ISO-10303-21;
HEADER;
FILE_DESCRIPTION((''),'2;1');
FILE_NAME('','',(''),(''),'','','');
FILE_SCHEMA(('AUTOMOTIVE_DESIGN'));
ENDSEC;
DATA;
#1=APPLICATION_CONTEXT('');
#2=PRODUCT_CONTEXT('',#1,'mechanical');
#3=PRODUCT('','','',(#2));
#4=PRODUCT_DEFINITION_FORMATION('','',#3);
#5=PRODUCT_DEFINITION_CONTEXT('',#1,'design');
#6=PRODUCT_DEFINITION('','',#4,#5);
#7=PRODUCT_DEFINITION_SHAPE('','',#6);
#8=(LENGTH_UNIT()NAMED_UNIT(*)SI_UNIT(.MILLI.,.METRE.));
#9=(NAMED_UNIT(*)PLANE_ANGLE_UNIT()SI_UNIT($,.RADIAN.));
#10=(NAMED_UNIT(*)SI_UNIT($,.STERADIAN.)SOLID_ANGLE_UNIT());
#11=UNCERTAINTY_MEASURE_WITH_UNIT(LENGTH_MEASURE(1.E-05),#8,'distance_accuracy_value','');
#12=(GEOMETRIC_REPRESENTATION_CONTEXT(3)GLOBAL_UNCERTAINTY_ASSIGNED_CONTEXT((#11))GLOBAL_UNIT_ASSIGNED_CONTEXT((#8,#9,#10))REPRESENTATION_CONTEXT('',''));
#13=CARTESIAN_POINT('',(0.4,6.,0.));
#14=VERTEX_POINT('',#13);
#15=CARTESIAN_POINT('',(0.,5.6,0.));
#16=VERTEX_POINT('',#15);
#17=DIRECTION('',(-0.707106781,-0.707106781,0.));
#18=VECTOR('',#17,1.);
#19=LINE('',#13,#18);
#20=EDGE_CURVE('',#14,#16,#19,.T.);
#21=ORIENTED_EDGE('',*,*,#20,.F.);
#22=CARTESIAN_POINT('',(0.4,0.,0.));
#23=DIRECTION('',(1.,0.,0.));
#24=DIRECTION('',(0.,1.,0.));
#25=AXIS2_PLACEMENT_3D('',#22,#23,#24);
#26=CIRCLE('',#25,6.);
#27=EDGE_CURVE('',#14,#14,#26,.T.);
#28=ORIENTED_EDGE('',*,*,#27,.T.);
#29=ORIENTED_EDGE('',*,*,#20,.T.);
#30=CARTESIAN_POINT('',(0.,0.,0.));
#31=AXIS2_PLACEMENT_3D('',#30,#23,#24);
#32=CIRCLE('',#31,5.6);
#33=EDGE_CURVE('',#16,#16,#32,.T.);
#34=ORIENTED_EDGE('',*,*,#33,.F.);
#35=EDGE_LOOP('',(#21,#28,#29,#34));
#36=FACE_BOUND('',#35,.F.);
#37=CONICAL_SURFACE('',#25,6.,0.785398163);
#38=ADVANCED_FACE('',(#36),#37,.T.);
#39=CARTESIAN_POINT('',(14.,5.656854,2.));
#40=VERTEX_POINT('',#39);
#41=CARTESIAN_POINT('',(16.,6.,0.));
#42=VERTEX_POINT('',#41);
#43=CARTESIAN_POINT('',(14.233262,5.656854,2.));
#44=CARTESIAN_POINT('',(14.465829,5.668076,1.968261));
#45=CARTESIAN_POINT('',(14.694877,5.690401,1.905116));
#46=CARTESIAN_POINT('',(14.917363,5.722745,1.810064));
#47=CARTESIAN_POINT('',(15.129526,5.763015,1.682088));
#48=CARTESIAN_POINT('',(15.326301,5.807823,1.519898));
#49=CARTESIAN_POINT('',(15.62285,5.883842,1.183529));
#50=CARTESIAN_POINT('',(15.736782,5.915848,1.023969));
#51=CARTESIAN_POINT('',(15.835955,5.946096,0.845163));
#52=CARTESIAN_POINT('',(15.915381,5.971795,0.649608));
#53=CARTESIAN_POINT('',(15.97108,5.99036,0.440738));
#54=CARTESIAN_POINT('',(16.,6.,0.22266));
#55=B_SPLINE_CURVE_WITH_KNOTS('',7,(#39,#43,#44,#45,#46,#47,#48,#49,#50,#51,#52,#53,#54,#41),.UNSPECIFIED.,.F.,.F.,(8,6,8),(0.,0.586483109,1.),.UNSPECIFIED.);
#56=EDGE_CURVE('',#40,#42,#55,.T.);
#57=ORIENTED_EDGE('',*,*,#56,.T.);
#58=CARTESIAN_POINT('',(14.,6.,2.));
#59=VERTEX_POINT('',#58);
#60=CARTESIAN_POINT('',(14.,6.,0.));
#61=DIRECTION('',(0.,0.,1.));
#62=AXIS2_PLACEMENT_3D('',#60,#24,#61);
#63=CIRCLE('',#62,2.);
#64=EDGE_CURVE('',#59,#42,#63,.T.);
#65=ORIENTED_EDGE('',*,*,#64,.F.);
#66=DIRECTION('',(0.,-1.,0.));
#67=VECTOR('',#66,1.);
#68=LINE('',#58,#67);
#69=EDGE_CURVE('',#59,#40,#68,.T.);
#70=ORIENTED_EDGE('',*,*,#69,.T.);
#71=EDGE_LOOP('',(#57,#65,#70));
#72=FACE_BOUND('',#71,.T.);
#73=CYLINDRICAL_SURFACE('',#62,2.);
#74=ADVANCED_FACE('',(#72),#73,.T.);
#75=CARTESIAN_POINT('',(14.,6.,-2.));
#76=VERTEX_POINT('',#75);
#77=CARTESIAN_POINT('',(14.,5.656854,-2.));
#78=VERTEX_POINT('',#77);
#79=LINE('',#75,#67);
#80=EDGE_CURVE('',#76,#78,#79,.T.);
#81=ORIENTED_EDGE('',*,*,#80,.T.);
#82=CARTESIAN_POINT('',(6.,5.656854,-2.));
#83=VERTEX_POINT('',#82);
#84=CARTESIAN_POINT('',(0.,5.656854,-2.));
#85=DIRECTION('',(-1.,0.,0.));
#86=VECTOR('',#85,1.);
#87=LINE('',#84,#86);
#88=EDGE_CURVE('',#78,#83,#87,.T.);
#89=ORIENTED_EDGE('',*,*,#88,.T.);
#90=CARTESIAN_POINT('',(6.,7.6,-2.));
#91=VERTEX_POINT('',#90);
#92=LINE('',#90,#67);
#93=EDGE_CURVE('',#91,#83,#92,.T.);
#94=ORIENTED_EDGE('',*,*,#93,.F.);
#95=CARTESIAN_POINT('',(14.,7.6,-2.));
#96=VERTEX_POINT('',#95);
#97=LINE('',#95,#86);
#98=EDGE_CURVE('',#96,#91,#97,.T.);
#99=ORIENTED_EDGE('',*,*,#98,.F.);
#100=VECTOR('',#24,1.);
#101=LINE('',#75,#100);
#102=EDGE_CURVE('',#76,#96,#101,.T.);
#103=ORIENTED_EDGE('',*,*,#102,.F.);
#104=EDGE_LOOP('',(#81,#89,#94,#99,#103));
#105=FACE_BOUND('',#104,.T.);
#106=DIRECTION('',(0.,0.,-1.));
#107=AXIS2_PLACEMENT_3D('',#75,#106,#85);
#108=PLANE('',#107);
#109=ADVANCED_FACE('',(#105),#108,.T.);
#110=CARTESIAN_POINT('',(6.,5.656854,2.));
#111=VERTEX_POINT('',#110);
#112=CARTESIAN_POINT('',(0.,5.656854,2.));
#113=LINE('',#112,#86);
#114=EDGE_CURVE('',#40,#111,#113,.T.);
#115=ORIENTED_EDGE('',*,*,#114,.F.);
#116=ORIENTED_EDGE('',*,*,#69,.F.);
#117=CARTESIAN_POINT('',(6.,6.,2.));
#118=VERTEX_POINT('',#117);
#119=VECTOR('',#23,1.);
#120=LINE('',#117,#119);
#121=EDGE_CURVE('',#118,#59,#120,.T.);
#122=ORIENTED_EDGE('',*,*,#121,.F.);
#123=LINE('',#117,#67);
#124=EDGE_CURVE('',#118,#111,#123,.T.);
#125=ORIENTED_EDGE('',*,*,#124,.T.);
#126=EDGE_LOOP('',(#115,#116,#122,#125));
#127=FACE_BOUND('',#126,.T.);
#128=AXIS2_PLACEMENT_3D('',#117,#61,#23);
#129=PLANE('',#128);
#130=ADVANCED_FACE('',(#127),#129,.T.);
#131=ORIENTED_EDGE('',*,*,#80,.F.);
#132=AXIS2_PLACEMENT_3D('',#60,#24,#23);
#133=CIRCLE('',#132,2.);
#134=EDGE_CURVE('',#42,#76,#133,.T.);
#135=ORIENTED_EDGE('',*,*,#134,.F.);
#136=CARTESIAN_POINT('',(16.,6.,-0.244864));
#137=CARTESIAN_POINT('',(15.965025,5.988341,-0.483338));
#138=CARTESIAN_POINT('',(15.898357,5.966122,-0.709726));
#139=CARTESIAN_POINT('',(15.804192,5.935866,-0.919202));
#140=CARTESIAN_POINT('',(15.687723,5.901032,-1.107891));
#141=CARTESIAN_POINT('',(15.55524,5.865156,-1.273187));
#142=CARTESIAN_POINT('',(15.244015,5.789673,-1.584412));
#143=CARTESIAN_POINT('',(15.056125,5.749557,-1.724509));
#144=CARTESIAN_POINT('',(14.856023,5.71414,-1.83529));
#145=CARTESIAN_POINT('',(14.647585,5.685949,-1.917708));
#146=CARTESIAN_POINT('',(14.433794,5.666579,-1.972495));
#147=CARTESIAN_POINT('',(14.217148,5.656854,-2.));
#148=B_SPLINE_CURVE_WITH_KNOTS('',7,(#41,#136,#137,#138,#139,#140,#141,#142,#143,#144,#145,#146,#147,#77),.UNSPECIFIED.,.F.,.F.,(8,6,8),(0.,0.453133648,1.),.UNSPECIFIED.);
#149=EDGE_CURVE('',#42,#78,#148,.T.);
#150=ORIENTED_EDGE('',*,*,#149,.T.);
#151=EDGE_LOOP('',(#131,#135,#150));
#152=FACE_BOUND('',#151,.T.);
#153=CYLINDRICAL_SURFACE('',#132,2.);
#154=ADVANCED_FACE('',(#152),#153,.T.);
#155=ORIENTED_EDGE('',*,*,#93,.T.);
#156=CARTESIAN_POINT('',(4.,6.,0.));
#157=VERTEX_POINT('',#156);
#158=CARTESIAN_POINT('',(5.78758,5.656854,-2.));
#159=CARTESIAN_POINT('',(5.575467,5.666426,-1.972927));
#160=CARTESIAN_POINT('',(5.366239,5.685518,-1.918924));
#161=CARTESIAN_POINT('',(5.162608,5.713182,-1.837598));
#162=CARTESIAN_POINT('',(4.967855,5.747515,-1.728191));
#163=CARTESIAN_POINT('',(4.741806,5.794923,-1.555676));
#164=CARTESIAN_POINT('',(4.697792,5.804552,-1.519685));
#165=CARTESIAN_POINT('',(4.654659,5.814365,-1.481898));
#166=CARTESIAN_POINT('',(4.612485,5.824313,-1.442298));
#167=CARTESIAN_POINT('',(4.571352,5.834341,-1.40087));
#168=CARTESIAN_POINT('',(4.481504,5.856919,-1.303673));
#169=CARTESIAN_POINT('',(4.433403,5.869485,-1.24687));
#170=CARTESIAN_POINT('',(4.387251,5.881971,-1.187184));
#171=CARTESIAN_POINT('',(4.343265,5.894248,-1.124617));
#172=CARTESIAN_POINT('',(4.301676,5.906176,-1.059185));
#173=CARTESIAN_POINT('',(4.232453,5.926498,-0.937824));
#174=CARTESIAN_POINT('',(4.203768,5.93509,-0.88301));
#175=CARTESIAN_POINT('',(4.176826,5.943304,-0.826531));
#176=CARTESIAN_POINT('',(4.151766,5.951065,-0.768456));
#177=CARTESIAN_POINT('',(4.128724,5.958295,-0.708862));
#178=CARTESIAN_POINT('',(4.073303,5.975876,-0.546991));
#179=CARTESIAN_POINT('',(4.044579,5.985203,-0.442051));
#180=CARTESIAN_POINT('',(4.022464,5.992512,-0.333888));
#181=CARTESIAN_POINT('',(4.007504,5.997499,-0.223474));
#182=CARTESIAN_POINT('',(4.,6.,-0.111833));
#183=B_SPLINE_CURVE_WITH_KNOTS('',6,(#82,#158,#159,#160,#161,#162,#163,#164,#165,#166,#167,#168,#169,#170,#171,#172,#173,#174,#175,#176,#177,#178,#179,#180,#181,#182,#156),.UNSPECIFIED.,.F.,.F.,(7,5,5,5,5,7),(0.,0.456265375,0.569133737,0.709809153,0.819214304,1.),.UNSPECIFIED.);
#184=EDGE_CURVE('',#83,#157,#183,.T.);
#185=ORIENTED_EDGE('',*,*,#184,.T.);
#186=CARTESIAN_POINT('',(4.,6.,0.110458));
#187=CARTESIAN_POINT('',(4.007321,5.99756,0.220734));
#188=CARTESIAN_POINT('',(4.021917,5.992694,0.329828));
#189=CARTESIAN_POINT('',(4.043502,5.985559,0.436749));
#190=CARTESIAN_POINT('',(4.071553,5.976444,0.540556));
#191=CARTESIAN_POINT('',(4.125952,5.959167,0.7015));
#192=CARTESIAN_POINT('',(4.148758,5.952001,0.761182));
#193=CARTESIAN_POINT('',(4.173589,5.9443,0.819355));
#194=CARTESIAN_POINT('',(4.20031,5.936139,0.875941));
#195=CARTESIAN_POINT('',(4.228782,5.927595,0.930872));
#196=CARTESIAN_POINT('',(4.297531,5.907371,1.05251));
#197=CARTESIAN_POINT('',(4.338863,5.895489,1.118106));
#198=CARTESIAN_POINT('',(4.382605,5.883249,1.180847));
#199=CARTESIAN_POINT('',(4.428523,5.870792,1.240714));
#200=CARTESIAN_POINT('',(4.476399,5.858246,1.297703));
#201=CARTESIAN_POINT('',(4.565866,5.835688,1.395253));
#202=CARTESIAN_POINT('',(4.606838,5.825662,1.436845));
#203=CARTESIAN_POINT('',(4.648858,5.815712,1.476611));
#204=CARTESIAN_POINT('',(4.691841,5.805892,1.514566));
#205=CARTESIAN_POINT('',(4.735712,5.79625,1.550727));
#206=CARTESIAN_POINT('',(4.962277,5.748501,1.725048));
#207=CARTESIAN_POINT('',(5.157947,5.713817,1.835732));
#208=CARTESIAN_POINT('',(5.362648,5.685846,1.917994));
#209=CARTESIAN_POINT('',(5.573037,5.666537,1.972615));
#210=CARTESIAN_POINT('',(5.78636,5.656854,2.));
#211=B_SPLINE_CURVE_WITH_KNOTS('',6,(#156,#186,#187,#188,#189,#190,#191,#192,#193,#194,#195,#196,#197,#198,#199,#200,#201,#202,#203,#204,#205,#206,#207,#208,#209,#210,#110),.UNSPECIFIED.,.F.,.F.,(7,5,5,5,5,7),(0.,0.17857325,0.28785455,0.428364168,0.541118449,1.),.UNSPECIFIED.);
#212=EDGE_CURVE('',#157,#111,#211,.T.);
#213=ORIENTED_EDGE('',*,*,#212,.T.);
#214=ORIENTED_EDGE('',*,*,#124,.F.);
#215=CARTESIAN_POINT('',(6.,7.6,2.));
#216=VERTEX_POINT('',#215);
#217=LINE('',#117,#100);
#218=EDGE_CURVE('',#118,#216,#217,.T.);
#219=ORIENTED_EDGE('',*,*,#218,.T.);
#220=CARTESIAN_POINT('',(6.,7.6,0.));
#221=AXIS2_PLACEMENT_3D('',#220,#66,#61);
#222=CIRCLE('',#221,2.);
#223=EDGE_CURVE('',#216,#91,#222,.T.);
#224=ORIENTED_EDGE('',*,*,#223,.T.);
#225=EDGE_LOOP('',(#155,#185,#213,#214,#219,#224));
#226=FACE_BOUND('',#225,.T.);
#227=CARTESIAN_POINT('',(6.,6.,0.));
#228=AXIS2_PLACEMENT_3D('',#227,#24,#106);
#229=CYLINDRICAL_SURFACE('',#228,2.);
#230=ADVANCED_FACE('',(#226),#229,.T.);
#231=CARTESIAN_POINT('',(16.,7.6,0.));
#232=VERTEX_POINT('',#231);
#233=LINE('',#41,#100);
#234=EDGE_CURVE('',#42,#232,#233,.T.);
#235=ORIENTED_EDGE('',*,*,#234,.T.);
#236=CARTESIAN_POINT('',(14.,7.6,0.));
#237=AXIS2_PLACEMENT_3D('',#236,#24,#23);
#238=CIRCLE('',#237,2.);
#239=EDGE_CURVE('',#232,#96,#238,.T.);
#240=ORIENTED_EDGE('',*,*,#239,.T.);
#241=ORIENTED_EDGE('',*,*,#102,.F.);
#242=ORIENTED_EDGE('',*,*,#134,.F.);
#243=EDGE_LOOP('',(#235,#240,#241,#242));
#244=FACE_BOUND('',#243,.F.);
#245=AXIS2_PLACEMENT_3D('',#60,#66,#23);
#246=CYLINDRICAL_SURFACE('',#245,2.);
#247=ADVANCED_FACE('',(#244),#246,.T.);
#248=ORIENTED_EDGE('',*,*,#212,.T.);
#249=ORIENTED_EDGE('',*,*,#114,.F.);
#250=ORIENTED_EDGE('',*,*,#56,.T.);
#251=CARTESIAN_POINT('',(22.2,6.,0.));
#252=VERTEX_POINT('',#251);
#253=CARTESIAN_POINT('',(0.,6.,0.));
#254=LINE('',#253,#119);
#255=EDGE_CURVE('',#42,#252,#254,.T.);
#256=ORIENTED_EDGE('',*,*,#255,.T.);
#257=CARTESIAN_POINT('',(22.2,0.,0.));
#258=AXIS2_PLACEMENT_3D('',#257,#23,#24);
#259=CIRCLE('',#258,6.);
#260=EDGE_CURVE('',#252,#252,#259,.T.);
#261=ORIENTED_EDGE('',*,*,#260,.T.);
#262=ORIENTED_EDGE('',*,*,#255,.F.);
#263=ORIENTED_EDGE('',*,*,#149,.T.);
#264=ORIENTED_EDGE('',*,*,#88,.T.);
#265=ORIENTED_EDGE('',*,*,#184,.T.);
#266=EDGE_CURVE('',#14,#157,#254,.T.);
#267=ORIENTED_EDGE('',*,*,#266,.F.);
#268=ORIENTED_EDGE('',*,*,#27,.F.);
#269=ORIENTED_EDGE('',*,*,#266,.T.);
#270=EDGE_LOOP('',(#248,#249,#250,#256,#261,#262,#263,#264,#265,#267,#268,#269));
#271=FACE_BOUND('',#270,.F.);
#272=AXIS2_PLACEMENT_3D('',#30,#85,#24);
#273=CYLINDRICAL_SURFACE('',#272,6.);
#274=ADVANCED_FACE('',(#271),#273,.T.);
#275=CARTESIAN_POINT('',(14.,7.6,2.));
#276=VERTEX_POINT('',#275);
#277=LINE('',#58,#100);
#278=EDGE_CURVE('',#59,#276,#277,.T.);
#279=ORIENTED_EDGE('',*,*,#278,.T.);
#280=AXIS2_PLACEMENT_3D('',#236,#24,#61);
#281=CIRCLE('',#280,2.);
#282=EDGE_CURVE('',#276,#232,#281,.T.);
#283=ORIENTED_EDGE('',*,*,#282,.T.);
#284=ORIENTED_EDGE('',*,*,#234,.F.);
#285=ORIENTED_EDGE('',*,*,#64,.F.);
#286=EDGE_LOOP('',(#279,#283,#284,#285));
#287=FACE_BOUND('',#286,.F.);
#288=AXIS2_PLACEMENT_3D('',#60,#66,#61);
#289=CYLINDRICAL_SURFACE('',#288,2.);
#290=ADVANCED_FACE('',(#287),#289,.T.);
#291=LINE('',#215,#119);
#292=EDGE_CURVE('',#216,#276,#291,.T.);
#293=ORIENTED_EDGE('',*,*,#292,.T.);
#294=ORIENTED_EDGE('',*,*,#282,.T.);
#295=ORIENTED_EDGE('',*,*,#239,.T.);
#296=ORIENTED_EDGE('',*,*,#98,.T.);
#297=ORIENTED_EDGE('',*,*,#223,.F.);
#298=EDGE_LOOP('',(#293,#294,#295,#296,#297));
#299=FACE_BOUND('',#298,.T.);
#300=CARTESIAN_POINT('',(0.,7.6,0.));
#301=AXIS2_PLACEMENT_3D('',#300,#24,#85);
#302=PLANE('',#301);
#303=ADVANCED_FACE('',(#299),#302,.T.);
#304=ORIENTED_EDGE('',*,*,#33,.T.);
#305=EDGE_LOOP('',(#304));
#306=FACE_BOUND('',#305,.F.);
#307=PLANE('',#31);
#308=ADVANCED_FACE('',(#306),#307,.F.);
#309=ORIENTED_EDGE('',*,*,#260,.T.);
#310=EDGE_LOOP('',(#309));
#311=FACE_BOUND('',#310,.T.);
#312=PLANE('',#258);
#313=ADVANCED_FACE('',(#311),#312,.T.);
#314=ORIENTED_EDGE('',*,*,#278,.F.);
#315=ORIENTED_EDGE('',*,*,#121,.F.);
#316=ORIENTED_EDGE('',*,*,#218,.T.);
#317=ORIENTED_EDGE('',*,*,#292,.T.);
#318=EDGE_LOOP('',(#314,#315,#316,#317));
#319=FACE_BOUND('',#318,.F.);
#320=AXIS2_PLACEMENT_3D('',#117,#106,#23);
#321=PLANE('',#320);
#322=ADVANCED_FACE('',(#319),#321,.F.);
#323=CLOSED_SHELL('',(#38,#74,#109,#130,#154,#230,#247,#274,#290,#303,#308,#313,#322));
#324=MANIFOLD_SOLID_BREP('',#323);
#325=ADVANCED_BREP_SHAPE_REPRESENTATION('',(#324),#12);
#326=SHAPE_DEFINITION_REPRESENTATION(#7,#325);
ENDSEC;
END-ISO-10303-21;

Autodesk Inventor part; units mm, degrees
ref_plane "YZ Plane" through (0, 0, 0) normal (1, 0, 0) x (0, 1, 0)
ref_plane "XY Plane" through (0, 0, 0) normal (0, 0, 1) x (1, 0, 0)
sketch "Sketch1" plane through (0, 0, 0) normal (1, 0, 0) x (0, 1, 0)
  circle A0 centre (0, 0) radius 6
  dimension "d0" = 12
extrude "Extrusion1" add sketch "Sketch1" along normal blind 22.2
ref_plane "Work Plane1" through (0, 6, 0) normal (0, 1, 0) x (-1, 0, 0)
sketch "Sketch2" plane through (0, 6, 0) normal (0, 1, 0) x (-1, 0, 0)
  line L0 (0, 6) -> (0, -6) projected
  line L1 (-6, 2) -> (-14, 2)
  line L2 (-16, 0) -> (-16, 0)
  line L3 (-14, -2) -> (-6, -2)
  line L4 (-4, 0) -> (-4, 0)
  arc A0 (-4, 0) -> (-6, 2) centre (-6, 0) ccw
  arc A1 (-6, -2) -> (-4, 0) centre (-6, 0) ccw
  arc A2 (-16, 0) -> (-14, -2) centre (-14, 0) ccw
  arc A3 (-14, 2) -> (-16, 0) centre (-14, 0) ccw
  point P0 (0, 0)
  point P1 (-16, -2)
  point P2 (-16, 2)
  point P3 (0, 0)
  point P4 (-16, 0)
  dimension "d3" = 4
  dimension "d4" = 2
  dimension "d5" = 6
  dimension "d6" = 8
extrude "Extrusion2" add sketch "Sketch2" along normal blind 1.6 and the other way blind 1
chamfer "Chamfer1" distance 0.4 angle 45 1 edges at (0, -6, 0)
properties part number "input shaft nmrv-40"
